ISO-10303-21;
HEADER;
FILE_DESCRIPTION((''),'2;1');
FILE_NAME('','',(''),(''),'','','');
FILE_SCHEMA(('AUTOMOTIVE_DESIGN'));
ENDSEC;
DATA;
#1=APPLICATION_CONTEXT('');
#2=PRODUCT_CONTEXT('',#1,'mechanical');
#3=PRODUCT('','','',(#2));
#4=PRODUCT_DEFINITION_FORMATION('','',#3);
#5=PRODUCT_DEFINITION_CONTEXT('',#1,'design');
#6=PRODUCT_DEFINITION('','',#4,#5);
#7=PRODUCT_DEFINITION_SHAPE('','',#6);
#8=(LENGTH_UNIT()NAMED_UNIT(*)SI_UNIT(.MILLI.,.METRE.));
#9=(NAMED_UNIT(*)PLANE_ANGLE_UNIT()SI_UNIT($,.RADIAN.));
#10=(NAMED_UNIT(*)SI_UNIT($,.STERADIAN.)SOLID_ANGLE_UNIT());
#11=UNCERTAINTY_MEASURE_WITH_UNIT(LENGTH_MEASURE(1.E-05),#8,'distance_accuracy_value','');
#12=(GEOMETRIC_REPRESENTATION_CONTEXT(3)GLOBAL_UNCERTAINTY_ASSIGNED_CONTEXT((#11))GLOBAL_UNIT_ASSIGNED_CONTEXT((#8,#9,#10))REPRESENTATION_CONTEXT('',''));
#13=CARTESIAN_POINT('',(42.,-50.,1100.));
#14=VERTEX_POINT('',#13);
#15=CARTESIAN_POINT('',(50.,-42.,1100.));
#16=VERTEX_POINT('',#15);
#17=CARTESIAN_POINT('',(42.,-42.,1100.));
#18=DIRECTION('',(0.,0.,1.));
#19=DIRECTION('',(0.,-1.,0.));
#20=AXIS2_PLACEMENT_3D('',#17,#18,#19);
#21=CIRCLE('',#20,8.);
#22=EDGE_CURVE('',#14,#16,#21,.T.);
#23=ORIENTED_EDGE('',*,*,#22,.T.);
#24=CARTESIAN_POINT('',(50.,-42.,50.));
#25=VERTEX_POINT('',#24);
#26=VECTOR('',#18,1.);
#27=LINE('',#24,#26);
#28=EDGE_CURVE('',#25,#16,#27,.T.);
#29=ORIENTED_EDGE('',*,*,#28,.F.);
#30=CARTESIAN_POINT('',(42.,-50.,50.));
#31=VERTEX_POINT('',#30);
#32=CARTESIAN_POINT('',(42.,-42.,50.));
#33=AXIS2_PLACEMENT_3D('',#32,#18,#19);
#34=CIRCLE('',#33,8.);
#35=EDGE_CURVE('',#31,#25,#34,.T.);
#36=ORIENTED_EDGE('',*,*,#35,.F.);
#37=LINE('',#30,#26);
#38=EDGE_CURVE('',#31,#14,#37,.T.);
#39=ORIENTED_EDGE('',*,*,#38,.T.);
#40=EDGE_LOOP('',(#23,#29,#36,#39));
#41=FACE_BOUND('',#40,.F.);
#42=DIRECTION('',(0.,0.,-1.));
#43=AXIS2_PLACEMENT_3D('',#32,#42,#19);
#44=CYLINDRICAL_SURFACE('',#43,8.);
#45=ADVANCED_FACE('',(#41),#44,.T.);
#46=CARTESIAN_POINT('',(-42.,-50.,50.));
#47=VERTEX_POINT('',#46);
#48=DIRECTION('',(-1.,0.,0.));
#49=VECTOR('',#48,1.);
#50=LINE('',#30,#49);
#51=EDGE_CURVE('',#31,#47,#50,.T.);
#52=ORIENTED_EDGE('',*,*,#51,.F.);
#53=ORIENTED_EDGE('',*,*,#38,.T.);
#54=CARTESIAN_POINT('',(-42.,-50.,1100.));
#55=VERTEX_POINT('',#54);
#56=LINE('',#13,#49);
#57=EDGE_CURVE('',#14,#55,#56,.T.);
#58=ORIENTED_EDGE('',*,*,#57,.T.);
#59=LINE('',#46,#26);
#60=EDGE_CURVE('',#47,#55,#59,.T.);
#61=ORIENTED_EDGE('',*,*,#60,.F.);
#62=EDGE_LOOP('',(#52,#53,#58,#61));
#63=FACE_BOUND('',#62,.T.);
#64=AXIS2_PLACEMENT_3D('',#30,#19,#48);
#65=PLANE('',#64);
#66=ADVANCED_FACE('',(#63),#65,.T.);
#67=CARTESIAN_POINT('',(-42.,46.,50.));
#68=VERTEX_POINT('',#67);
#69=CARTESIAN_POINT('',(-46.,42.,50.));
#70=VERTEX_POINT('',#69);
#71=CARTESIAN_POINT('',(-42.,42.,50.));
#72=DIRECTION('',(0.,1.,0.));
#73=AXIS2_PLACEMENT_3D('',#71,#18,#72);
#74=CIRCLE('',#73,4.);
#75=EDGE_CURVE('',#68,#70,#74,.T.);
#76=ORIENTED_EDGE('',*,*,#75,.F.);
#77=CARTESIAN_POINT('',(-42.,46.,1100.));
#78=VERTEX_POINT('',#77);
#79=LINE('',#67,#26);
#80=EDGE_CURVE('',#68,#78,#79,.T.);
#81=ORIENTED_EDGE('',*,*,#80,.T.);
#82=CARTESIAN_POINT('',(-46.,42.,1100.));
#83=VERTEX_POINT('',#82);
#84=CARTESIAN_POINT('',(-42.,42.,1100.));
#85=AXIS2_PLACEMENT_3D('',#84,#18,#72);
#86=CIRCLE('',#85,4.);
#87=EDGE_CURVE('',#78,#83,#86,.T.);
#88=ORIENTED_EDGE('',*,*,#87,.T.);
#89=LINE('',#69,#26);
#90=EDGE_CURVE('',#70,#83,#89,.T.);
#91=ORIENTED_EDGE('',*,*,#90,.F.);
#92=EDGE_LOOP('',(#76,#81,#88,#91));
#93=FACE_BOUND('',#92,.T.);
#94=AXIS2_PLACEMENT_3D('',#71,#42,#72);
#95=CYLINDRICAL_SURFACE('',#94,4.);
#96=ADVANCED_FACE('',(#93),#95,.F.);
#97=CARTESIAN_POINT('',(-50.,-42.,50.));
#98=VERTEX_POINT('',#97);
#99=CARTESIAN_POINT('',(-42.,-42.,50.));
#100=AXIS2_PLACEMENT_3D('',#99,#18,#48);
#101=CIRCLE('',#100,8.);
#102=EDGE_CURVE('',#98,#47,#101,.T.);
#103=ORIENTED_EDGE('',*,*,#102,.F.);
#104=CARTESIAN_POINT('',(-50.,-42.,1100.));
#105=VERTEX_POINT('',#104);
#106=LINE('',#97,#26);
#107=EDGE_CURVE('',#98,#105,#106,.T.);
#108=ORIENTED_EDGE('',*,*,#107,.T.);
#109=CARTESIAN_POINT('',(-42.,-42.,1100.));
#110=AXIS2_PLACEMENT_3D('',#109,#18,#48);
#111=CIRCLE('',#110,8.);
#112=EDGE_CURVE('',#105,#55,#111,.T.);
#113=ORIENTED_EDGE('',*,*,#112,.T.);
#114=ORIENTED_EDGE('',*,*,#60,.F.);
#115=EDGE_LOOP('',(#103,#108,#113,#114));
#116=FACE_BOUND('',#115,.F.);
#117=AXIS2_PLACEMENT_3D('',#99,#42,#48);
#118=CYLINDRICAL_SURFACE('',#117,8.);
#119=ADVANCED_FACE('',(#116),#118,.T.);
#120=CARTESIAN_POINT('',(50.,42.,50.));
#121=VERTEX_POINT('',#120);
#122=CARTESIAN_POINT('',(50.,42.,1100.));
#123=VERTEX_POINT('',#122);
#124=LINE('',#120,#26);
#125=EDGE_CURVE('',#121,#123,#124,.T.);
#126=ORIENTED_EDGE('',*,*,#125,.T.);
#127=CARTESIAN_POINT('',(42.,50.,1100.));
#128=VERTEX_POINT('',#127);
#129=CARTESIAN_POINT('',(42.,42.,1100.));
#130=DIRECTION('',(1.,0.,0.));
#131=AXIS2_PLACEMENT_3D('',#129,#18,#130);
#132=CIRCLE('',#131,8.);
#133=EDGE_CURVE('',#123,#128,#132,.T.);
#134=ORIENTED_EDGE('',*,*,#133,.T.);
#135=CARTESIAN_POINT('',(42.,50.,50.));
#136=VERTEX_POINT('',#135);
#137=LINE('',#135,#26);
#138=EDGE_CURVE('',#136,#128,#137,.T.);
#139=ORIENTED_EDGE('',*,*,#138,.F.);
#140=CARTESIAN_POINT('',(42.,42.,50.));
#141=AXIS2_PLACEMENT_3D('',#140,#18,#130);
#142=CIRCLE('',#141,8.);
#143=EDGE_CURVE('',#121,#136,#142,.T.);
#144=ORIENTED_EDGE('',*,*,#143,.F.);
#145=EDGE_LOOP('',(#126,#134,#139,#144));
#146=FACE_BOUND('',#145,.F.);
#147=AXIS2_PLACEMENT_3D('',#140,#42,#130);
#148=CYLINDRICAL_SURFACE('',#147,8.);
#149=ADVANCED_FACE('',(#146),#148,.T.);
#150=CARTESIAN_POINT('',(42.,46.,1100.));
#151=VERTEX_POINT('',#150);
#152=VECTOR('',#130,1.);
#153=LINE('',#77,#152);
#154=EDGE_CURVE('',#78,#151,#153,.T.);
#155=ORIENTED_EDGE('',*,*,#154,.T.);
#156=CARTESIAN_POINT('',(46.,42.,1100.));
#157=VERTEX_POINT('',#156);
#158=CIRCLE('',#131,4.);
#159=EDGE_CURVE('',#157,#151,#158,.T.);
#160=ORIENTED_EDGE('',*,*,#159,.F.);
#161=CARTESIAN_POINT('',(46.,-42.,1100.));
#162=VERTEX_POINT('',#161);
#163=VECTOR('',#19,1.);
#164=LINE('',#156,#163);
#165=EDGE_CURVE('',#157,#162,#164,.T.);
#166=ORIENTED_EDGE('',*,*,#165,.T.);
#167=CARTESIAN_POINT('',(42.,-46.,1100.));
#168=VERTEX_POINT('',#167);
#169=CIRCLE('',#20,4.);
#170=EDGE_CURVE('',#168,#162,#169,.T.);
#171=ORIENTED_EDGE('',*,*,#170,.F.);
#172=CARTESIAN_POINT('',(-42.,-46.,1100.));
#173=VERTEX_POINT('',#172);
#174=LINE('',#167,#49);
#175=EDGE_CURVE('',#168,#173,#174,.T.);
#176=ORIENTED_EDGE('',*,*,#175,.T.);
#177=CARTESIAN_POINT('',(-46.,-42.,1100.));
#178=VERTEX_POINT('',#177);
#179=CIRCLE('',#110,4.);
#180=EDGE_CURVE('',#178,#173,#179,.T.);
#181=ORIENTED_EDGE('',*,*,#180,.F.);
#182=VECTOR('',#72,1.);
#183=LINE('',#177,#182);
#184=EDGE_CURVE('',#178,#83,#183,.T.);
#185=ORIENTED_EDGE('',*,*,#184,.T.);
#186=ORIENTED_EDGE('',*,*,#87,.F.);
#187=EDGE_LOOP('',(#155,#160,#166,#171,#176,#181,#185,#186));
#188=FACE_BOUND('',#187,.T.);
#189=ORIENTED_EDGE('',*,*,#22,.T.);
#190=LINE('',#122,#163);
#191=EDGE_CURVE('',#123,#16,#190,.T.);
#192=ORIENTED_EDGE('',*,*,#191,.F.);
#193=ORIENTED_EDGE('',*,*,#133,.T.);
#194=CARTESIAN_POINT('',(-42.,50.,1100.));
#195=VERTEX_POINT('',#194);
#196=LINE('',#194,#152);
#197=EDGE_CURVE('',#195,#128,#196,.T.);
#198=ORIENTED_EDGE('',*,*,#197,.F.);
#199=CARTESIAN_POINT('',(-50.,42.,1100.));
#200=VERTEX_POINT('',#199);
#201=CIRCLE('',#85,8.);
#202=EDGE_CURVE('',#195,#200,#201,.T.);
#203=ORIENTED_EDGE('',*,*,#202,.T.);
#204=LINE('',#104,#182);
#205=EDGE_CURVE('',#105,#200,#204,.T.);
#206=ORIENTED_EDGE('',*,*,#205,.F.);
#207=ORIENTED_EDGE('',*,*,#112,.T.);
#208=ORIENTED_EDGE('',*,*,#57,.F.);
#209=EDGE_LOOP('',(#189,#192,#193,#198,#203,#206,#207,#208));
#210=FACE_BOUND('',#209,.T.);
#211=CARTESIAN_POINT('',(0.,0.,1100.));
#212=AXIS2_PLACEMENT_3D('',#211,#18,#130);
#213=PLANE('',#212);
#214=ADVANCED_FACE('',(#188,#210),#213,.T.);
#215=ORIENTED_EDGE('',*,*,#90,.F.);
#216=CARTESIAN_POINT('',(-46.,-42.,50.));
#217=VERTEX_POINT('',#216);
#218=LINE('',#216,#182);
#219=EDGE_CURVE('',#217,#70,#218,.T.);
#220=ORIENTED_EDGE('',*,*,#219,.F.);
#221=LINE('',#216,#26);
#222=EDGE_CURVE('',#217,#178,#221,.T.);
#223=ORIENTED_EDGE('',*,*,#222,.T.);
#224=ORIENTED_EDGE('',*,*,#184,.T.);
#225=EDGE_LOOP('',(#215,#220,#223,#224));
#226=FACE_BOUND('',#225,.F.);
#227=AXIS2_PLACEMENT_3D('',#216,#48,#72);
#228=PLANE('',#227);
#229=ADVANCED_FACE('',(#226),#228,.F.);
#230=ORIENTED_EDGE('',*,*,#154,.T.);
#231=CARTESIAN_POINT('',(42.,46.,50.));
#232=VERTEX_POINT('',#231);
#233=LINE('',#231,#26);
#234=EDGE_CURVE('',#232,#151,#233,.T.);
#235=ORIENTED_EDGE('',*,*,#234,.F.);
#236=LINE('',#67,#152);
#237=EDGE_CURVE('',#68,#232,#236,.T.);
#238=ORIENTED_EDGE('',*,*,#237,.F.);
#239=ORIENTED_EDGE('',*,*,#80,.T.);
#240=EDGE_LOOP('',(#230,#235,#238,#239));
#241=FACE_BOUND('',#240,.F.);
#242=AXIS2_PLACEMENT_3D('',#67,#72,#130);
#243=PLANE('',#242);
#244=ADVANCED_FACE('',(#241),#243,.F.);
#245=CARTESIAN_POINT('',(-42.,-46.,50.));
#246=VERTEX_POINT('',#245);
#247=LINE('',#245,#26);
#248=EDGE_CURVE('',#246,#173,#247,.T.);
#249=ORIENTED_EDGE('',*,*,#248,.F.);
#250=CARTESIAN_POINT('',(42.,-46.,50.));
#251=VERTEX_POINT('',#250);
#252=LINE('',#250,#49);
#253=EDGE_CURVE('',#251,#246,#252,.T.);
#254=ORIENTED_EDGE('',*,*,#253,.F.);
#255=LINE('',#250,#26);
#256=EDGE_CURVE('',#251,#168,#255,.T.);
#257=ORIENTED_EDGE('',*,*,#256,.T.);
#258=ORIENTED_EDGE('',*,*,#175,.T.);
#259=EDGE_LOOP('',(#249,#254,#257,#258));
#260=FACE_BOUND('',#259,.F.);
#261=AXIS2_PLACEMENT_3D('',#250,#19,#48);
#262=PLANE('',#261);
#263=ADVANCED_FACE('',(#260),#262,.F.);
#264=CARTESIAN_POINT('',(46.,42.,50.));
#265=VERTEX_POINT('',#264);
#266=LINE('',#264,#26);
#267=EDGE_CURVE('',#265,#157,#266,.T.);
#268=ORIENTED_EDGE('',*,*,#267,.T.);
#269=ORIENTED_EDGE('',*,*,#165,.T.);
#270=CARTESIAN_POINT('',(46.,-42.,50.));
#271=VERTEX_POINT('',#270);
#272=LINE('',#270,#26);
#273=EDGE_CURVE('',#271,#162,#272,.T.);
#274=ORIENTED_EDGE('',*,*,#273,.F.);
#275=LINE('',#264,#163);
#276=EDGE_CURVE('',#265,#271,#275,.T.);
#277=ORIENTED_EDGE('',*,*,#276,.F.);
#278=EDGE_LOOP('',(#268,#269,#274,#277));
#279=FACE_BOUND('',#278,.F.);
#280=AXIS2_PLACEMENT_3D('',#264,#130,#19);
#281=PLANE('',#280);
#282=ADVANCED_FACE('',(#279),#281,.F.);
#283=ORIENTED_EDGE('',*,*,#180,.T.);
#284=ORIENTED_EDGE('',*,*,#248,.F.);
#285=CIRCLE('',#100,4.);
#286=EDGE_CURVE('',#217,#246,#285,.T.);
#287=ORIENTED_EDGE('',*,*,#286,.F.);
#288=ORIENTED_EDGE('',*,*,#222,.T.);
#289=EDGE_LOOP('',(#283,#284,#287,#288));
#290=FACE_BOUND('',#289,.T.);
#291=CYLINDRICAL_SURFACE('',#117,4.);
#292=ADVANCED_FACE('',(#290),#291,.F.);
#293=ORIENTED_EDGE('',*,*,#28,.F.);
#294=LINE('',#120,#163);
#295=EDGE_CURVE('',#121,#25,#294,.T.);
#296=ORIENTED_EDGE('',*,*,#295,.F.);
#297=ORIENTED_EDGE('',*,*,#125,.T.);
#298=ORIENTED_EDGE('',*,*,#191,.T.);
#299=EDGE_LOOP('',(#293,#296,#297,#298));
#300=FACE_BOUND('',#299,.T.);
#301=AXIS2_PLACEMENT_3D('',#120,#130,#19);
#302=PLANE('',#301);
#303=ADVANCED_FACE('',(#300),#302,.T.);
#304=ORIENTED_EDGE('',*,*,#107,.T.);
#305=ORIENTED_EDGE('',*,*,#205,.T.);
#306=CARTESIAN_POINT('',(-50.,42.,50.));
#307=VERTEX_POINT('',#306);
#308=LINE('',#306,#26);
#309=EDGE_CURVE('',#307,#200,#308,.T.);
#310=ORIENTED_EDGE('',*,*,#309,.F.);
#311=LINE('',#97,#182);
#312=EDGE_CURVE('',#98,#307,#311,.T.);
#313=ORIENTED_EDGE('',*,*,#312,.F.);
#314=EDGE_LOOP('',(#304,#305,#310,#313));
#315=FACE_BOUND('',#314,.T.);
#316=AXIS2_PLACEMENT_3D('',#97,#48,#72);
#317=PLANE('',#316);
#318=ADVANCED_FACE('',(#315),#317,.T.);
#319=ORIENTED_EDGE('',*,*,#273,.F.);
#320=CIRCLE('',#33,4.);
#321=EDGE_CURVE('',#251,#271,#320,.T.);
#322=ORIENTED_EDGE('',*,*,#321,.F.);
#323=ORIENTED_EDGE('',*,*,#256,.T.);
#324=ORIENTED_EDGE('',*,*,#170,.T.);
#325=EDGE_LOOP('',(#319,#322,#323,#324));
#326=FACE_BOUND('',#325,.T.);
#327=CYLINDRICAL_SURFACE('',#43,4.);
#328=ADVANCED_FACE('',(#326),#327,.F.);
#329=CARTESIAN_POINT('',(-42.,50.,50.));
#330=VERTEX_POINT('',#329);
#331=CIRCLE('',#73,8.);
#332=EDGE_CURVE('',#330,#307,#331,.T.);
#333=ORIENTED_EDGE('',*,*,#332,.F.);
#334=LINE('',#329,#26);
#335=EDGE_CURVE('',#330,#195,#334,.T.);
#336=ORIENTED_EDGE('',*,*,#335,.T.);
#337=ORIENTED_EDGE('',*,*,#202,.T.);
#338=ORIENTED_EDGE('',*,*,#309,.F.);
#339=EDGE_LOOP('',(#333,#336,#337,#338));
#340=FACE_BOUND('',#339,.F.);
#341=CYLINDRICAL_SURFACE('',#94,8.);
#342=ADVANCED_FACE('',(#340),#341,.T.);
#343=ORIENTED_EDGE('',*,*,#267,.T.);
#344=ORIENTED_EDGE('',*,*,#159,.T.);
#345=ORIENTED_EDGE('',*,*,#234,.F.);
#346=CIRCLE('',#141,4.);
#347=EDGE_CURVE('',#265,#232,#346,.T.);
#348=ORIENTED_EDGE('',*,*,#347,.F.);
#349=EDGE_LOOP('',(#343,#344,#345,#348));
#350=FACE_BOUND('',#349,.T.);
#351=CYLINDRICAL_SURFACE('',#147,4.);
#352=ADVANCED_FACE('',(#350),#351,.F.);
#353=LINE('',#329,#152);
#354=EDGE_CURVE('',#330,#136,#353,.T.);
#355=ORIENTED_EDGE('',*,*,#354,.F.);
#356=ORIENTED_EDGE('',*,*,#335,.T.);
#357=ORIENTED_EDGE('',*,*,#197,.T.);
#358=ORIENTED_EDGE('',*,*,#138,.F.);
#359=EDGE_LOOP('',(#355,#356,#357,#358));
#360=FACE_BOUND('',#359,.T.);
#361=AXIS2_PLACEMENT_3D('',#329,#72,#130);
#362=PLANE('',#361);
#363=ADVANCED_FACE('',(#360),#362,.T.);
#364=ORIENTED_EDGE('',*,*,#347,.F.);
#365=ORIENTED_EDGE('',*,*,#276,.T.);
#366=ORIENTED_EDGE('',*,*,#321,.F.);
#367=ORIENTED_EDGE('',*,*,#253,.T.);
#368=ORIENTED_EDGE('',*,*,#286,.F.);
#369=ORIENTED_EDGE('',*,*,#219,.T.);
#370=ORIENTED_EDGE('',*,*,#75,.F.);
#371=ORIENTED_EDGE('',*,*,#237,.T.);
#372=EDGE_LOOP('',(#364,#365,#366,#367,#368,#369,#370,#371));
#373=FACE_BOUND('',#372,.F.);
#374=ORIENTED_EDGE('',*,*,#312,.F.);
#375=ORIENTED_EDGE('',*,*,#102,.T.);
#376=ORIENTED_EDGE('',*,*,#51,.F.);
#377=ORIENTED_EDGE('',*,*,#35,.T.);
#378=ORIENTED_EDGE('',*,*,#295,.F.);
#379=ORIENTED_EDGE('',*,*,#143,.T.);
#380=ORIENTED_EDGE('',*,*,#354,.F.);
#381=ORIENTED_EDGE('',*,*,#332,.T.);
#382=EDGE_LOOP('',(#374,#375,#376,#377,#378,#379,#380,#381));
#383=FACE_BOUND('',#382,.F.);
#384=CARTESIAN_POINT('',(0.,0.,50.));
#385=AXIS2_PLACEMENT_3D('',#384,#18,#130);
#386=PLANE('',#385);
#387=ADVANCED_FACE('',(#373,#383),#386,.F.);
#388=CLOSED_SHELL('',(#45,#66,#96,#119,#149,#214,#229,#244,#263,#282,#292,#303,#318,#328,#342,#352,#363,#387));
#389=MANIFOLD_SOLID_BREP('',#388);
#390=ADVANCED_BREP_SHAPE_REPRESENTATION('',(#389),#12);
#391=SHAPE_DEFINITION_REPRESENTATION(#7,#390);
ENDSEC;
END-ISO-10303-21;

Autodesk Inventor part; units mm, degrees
ref_plane "YZ Plane" through (0, 0, 0) normal (1, 0, 0) x (0, 1, 0)
ref_plane "Start Plane" through (0, 0, 50) normal (0, 0, 1) x (1, 0, 0)
ref_plane "End Plane" through (0, 0, 1100) normal (0, 0, 1) x (1, 0, 0)
sketch "Sketch" plane through (0, 0, 0) normal (0, 0, 1) x (1, 0, 0)
  line L0 (-50, -42) -> (-50, 42)
  line L1 (-42, 50) -> (42, 50)
  line L2 (50, 42) -> (50, -42)
  line L3 (42, -50) -> (-42, -50)
  arc A0 (-50, -42) -> (-42, -50) centre (-42, -42) ccw
  arc A1 (50, 42) -> (42, 50) centre (42, 42) ccw
  arc A2 (-42, 50) -> (-50, 42) centre (-42, 42) ccw
  arc A3 (42, -50) -> (50, -42) centre (42, -42) ccw
  arc A4 (-42, 46) -> (-46, 42) centre (-42, 42) ccw
  line L4 (-42, 46) -> (42, 46)
  arc A5 (46, 42) -> (42, 46) centre (42, 42) ccw
  line L5 (46, 42) -> (46, -42)
  arc A6 (42, -46) -> (46, -42) centre (42, -42) ccw
  line L6 (42, -46) -> (-42, -46)
  arc A7 (-46, -42) -> (-42, -46) centre (-42, -42) ccw
  line L7 (-46, -42) -> (-46, 42)
  line L8 (0, 72.3196) -> (0, -72.3196) construction
  line L9 (-72.3196, 0) -> (72.3196, 0) construction
  dimension "d7" = 8
  dimension "d9" = 100
  dimension "d11" = 100
  dimension "d12" = 4
  dimension "d15" = 50
  dimension "d16" = 50
extrude "Body" add sketch "Sketch" along normal up to surface (1050 mm away) from surface at 50
sketch "Sketch3" plane through (0, 0, 0) normal (0, 0, 1) x (1, 0, 0)
  line L0 (0, 0) -> (10, 0)
ref_plane "Work Plane3" through (0, 0, 0) normal (0, -1, 0) x (1, 0, 0)
sketch "Sketch4" plane through (0, 0, 0) normal (0, -1, 0) x (1, 0, 0)
  line L0 (-2, 50) -> (12, 50) projected
  line L1 (-2, 1100) -> (12, 1100) projected
  dimension "d18" = 1050
equation "\"d7\" = G_IR"
equation "\"d9\" = G_W"
equation "\"d11\" = G_H"
equation "\"d12\" = G_T"
equation "\"d15\" = 0.5 * d9"
equation "\"d16\" = 0.5 * d11"
equation "\"d3\" = G_L"
equation "\"G_W\" = 100"
equation "\"G_H\" = 100"
equation "\"G_T\" = 4"
equation "\"G_IR\" = 8"
equation "\"G_L\" = d18"
properties part number "ISO 10799-2 - 100x100x4 - 1050" material "Steel, Mild"
